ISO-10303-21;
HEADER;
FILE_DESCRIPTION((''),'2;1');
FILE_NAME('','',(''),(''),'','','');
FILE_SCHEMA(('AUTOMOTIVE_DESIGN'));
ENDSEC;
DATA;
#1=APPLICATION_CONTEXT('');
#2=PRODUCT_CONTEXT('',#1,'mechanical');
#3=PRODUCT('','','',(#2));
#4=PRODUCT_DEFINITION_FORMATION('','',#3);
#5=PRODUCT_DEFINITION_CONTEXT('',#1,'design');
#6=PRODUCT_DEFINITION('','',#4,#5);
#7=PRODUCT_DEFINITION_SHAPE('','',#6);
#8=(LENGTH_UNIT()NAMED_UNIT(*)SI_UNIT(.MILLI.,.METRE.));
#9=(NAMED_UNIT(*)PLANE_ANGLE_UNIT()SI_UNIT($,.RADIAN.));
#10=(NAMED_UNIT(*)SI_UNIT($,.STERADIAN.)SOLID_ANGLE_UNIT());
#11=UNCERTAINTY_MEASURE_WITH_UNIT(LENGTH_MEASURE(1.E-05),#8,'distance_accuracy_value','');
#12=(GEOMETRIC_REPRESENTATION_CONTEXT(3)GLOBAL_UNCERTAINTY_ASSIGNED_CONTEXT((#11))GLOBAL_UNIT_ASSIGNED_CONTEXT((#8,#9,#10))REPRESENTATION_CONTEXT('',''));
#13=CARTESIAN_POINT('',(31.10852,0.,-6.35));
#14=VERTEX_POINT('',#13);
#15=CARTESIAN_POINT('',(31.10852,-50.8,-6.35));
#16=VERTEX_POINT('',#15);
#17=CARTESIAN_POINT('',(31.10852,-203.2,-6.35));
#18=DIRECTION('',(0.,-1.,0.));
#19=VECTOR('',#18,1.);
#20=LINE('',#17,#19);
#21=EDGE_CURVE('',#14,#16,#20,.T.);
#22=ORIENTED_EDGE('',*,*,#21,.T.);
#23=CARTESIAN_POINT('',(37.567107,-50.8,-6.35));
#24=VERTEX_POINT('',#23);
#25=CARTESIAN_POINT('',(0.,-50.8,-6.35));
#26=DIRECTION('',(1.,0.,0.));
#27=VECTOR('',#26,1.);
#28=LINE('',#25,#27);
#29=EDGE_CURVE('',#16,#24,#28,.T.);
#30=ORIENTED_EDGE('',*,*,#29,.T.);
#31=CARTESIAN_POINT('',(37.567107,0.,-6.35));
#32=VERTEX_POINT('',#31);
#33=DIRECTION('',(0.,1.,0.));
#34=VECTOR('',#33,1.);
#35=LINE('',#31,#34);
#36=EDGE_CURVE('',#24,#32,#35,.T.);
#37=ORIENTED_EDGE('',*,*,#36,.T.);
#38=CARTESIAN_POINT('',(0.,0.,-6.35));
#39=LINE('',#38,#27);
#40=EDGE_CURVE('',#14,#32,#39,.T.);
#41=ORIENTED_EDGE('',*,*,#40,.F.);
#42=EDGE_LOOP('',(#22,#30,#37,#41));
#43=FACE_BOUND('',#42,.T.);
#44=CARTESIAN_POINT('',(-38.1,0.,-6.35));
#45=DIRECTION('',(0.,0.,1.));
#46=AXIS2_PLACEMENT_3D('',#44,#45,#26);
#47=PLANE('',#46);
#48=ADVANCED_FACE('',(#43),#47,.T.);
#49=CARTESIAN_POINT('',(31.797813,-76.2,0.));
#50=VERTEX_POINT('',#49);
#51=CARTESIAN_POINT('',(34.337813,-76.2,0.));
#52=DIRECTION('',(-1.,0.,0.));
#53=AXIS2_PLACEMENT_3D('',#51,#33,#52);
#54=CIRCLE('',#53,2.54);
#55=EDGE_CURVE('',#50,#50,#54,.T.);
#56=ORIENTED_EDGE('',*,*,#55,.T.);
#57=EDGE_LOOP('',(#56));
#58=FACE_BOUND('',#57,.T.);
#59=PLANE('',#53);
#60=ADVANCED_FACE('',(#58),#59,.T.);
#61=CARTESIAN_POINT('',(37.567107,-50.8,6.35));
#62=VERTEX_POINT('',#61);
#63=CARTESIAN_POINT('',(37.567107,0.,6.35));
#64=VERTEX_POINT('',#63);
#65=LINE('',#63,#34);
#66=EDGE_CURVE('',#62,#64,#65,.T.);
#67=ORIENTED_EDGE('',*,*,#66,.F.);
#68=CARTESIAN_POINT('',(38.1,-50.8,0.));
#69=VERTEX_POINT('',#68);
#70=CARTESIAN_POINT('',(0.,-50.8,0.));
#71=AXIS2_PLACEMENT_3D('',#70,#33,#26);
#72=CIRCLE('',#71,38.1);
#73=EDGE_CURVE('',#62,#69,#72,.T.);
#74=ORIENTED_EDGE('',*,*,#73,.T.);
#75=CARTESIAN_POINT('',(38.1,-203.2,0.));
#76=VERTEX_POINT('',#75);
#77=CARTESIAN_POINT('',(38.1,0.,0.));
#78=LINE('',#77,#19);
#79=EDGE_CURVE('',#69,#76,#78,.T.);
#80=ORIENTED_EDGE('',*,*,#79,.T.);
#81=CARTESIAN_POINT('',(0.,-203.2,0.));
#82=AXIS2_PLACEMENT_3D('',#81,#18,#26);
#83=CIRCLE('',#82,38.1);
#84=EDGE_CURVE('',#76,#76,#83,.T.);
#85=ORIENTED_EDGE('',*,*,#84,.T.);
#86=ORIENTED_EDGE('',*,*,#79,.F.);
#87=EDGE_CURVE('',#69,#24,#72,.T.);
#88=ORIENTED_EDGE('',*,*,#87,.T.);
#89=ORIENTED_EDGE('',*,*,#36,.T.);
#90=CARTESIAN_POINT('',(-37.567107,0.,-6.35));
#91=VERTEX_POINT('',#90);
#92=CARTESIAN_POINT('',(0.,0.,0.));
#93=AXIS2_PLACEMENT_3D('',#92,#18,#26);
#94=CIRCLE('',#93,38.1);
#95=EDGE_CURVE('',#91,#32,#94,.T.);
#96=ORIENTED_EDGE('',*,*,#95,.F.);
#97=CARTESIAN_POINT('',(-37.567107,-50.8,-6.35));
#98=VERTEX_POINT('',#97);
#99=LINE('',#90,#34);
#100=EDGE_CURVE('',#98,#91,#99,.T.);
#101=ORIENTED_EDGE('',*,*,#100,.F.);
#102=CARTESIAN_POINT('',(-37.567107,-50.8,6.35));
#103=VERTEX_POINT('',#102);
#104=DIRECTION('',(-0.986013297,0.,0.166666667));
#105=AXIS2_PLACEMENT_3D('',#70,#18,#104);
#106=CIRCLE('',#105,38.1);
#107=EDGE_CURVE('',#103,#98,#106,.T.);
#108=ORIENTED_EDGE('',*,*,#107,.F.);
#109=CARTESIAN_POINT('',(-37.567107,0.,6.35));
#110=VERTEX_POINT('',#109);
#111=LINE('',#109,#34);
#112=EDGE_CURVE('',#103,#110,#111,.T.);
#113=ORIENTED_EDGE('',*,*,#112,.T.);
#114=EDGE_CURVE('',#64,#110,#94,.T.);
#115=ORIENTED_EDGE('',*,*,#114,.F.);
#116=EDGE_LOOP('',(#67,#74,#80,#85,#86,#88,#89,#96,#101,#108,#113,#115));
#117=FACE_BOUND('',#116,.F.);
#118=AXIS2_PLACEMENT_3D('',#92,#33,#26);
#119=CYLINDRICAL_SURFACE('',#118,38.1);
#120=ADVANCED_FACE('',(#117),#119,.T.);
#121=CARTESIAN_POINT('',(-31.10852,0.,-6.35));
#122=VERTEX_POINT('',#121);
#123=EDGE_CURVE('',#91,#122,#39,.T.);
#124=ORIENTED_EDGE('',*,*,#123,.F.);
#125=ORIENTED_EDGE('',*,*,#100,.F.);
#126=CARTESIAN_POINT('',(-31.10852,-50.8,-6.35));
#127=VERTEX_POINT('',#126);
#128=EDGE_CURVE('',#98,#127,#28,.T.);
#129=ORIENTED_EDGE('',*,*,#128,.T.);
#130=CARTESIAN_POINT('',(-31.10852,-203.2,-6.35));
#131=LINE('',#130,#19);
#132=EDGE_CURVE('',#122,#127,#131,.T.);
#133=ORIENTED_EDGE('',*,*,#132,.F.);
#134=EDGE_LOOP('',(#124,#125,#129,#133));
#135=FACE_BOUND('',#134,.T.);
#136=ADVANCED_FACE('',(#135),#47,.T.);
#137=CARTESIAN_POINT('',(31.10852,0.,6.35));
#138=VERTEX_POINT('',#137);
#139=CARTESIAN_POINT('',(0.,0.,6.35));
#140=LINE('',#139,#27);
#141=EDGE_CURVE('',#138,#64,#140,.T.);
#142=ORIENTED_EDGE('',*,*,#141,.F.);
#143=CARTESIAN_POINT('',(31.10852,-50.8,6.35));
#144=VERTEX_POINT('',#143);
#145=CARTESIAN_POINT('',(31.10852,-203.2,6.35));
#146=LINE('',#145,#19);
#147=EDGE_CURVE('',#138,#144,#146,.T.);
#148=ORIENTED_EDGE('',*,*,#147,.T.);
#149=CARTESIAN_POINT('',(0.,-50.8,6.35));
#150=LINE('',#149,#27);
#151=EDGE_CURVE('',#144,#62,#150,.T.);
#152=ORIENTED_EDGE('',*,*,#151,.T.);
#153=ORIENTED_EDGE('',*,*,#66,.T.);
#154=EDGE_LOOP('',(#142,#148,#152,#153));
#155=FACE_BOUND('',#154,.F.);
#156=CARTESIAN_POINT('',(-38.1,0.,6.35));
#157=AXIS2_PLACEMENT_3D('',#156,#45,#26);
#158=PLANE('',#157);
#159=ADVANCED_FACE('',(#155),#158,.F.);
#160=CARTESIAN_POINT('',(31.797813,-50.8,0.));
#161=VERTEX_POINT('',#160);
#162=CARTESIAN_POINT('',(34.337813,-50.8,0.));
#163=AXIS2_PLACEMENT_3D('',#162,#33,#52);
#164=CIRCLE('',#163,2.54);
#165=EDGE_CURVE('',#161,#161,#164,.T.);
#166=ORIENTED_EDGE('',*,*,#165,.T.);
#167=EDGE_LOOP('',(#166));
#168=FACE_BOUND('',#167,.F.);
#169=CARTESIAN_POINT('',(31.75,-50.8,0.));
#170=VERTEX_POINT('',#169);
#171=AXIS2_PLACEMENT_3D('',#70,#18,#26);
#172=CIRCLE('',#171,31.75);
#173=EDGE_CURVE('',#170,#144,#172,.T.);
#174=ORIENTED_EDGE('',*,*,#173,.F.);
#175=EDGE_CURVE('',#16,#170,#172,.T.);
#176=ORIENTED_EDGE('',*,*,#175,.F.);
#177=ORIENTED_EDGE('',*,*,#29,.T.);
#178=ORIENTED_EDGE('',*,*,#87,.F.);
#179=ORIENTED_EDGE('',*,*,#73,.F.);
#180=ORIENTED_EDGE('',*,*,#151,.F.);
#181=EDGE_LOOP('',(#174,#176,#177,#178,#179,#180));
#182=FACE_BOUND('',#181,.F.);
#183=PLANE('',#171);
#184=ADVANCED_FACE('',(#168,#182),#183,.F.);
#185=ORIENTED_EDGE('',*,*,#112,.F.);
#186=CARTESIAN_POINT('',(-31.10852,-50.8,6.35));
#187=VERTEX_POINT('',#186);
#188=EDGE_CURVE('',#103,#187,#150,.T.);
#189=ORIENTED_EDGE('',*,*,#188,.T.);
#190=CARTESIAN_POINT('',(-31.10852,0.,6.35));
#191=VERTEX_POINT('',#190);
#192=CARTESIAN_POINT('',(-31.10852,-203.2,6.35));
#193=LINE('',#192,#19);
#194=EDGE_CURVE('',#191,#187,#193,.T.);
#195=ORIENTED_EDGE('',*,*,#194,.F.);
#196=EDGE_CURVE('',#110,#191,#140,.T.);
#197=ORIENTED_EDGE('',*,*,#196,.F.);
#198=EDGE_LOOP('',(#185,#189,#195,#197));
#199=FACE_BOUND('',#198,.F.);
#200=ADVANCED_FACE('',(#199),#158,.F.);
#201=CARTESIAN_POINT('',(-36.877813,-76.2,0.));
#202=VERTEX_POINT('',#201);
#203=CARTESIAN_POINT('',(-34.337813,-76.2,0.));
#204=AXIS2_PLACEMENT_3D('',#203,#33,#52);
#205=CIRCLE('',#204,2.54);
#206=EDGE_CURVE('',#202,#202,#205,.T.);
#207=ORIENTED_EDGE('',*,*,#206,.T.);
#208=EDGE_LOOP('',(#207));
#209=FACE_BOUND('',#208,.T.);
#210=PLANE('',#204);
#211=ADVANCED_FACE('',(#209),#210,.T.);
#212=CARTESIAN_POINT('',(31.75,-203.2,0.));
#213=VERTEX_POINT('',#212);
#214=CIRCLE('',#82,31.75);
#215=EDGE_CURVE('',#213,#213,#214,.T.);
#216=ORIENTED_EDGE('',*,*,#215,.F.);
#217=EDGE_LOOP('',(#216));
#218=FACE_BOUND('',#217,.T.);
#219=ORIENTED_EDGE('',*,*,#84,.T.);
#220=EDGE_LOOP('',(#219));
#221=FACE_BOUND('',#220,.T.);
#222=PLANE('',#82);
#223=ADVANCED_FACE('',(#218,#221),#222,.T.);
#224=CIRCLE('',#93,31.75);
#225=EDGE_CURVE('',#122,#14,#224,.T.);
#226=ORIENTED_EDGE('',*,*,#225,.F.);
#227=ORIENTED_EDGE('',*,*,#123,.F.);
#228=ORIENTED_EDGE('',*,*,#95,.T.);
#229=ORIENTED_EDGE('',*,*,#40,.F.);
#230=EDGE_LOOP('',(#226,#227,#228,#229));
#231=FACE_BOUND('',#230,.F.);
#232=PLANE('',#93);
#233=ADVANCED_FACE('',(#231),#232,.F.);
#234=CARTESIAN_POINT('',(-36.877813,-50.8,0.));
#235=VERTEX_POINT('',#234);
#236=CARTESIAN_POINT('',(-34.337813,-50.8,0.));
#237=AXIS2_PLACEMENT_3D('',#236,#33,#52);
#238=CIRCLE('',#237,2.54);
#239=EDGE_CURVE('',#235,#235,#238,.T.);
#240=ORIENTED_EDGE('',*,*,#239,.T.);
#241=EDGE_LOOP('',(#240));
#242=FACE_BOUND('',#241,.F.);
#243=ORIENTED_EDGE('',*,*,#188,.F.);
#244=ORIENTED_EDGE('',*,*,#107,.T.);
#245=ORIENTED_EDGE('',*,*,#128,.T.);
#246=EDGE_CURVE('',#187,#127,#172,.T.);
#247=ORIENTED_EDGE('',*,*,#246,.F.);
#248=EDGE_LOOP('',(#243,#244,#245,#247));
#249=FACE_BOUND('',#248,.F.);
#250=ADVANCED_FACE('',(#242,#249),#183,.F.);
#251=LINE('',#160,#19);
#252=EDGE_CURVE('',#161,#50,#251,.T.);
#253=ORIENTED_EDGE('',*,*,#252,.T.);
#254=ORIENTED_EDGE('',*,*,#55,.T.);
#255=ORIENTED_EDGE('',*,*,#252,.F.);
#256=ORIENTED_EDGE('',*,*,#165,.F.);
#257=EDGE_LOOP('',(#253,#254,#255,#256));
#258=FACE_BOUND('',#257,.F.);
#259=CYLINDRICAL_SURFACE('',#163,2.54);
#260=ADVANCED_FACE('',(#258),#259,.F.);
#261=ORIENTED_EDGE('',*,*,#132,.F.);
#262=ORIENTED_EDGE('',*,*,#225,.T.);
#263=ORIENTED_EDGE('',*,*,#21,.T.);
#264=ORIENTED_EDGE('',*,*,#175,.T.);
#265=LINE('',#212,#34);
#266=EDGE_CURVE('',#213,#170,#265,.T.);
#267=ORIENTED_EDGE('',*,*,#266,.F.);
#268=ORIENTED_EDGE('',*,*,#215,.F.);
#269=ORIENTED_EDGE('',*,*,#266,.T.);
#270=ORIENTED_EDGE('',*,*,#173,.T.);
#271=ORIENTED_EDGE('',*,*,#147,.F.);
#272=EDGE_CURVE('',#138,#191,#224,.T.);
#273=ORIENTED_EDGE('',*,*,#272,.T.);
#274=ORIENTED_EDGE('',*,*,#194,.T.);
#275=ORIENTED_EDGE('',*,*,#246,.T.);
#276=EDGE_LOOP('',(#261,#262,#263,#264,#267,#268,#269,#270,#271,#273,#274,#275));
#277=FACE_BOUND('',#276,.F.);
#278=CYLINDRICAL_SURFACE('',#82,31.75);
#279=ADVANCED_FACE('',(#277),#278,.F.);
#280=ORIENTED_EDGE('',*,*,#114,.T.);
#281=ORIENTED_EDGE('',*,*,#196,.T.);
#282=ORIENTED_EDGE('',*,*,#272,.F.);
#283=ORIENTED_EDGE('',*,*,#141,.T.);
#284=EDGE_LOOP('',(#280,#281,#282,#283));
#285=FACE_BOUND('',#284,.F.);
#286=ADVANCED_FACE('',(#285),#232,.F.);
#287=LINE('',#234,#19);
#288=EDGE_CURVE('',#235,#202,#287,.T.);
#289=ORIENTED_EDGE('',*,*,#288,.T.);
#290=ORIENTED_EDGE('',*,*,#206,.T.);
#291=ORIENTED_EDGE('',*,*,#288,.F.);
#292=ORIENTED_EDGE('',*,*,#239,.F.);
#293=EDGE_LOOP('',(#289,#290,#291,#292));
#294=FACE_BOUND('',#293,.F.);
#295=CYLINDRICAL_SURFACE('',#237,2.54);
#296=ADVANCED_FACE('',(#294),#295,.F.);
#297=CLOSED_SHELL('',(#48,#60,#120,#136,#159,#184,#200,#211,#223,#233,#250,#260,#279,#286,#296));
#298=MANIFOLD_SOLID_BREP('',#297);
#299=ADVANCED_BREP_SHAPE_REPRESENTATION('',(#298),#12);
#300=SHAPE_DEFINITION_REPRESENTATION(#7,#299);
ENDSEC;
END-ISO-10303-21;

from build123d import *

# Parameters (mm, degrees)
F0_R     = 38.1
F1_DEPTH = 203.2
F2_R     = 31.75
F3_DEPTH = 228.6
F4_W     = 76.2
F4_H     = 12.7
F5_DEPTH = 50.8
F6_R     = 2.54
F7_DEPTH = 25.4


with BuildPart() as f1:
    # F0 (on Front) → F1 (new body)
    with BuildSketch(Plane.XZ):
        Circle(F0_R)
    extrude(amount=F1_DEPTH)

    # F2 (on face) → F3 (cut)
    with BuildSketch(Plane.XZ.offset(203.2)):
        Circle(F2_R)
    extrude(amount=-F3_DEPTH, mode=Mode.SUBTRACT)

    # F4 (on Front) → F5 (cut)
    with BuildSketch(Plane.XZ):
        Rectangle(F4_W, F4_H)
    extrude(amount=F5_DEPTH, mode=Mode.SUBTRACT)

    # F6 (on face) → F7 (cut)
    with BuildSketch(Plane(origin=(0, -50.8, 0), x_dir=(-1, 0, 0), z_dir=(0, 1, 0))):
        with Locations((-34.337813, 0)):
            Circle(F6_R)
        with Locations((34.337813, 0)):
            Circle(F6_R)
    extrude(amount=-F7_DEPTH, mode=Mode.SUBTRACT)


solid = f1.part
